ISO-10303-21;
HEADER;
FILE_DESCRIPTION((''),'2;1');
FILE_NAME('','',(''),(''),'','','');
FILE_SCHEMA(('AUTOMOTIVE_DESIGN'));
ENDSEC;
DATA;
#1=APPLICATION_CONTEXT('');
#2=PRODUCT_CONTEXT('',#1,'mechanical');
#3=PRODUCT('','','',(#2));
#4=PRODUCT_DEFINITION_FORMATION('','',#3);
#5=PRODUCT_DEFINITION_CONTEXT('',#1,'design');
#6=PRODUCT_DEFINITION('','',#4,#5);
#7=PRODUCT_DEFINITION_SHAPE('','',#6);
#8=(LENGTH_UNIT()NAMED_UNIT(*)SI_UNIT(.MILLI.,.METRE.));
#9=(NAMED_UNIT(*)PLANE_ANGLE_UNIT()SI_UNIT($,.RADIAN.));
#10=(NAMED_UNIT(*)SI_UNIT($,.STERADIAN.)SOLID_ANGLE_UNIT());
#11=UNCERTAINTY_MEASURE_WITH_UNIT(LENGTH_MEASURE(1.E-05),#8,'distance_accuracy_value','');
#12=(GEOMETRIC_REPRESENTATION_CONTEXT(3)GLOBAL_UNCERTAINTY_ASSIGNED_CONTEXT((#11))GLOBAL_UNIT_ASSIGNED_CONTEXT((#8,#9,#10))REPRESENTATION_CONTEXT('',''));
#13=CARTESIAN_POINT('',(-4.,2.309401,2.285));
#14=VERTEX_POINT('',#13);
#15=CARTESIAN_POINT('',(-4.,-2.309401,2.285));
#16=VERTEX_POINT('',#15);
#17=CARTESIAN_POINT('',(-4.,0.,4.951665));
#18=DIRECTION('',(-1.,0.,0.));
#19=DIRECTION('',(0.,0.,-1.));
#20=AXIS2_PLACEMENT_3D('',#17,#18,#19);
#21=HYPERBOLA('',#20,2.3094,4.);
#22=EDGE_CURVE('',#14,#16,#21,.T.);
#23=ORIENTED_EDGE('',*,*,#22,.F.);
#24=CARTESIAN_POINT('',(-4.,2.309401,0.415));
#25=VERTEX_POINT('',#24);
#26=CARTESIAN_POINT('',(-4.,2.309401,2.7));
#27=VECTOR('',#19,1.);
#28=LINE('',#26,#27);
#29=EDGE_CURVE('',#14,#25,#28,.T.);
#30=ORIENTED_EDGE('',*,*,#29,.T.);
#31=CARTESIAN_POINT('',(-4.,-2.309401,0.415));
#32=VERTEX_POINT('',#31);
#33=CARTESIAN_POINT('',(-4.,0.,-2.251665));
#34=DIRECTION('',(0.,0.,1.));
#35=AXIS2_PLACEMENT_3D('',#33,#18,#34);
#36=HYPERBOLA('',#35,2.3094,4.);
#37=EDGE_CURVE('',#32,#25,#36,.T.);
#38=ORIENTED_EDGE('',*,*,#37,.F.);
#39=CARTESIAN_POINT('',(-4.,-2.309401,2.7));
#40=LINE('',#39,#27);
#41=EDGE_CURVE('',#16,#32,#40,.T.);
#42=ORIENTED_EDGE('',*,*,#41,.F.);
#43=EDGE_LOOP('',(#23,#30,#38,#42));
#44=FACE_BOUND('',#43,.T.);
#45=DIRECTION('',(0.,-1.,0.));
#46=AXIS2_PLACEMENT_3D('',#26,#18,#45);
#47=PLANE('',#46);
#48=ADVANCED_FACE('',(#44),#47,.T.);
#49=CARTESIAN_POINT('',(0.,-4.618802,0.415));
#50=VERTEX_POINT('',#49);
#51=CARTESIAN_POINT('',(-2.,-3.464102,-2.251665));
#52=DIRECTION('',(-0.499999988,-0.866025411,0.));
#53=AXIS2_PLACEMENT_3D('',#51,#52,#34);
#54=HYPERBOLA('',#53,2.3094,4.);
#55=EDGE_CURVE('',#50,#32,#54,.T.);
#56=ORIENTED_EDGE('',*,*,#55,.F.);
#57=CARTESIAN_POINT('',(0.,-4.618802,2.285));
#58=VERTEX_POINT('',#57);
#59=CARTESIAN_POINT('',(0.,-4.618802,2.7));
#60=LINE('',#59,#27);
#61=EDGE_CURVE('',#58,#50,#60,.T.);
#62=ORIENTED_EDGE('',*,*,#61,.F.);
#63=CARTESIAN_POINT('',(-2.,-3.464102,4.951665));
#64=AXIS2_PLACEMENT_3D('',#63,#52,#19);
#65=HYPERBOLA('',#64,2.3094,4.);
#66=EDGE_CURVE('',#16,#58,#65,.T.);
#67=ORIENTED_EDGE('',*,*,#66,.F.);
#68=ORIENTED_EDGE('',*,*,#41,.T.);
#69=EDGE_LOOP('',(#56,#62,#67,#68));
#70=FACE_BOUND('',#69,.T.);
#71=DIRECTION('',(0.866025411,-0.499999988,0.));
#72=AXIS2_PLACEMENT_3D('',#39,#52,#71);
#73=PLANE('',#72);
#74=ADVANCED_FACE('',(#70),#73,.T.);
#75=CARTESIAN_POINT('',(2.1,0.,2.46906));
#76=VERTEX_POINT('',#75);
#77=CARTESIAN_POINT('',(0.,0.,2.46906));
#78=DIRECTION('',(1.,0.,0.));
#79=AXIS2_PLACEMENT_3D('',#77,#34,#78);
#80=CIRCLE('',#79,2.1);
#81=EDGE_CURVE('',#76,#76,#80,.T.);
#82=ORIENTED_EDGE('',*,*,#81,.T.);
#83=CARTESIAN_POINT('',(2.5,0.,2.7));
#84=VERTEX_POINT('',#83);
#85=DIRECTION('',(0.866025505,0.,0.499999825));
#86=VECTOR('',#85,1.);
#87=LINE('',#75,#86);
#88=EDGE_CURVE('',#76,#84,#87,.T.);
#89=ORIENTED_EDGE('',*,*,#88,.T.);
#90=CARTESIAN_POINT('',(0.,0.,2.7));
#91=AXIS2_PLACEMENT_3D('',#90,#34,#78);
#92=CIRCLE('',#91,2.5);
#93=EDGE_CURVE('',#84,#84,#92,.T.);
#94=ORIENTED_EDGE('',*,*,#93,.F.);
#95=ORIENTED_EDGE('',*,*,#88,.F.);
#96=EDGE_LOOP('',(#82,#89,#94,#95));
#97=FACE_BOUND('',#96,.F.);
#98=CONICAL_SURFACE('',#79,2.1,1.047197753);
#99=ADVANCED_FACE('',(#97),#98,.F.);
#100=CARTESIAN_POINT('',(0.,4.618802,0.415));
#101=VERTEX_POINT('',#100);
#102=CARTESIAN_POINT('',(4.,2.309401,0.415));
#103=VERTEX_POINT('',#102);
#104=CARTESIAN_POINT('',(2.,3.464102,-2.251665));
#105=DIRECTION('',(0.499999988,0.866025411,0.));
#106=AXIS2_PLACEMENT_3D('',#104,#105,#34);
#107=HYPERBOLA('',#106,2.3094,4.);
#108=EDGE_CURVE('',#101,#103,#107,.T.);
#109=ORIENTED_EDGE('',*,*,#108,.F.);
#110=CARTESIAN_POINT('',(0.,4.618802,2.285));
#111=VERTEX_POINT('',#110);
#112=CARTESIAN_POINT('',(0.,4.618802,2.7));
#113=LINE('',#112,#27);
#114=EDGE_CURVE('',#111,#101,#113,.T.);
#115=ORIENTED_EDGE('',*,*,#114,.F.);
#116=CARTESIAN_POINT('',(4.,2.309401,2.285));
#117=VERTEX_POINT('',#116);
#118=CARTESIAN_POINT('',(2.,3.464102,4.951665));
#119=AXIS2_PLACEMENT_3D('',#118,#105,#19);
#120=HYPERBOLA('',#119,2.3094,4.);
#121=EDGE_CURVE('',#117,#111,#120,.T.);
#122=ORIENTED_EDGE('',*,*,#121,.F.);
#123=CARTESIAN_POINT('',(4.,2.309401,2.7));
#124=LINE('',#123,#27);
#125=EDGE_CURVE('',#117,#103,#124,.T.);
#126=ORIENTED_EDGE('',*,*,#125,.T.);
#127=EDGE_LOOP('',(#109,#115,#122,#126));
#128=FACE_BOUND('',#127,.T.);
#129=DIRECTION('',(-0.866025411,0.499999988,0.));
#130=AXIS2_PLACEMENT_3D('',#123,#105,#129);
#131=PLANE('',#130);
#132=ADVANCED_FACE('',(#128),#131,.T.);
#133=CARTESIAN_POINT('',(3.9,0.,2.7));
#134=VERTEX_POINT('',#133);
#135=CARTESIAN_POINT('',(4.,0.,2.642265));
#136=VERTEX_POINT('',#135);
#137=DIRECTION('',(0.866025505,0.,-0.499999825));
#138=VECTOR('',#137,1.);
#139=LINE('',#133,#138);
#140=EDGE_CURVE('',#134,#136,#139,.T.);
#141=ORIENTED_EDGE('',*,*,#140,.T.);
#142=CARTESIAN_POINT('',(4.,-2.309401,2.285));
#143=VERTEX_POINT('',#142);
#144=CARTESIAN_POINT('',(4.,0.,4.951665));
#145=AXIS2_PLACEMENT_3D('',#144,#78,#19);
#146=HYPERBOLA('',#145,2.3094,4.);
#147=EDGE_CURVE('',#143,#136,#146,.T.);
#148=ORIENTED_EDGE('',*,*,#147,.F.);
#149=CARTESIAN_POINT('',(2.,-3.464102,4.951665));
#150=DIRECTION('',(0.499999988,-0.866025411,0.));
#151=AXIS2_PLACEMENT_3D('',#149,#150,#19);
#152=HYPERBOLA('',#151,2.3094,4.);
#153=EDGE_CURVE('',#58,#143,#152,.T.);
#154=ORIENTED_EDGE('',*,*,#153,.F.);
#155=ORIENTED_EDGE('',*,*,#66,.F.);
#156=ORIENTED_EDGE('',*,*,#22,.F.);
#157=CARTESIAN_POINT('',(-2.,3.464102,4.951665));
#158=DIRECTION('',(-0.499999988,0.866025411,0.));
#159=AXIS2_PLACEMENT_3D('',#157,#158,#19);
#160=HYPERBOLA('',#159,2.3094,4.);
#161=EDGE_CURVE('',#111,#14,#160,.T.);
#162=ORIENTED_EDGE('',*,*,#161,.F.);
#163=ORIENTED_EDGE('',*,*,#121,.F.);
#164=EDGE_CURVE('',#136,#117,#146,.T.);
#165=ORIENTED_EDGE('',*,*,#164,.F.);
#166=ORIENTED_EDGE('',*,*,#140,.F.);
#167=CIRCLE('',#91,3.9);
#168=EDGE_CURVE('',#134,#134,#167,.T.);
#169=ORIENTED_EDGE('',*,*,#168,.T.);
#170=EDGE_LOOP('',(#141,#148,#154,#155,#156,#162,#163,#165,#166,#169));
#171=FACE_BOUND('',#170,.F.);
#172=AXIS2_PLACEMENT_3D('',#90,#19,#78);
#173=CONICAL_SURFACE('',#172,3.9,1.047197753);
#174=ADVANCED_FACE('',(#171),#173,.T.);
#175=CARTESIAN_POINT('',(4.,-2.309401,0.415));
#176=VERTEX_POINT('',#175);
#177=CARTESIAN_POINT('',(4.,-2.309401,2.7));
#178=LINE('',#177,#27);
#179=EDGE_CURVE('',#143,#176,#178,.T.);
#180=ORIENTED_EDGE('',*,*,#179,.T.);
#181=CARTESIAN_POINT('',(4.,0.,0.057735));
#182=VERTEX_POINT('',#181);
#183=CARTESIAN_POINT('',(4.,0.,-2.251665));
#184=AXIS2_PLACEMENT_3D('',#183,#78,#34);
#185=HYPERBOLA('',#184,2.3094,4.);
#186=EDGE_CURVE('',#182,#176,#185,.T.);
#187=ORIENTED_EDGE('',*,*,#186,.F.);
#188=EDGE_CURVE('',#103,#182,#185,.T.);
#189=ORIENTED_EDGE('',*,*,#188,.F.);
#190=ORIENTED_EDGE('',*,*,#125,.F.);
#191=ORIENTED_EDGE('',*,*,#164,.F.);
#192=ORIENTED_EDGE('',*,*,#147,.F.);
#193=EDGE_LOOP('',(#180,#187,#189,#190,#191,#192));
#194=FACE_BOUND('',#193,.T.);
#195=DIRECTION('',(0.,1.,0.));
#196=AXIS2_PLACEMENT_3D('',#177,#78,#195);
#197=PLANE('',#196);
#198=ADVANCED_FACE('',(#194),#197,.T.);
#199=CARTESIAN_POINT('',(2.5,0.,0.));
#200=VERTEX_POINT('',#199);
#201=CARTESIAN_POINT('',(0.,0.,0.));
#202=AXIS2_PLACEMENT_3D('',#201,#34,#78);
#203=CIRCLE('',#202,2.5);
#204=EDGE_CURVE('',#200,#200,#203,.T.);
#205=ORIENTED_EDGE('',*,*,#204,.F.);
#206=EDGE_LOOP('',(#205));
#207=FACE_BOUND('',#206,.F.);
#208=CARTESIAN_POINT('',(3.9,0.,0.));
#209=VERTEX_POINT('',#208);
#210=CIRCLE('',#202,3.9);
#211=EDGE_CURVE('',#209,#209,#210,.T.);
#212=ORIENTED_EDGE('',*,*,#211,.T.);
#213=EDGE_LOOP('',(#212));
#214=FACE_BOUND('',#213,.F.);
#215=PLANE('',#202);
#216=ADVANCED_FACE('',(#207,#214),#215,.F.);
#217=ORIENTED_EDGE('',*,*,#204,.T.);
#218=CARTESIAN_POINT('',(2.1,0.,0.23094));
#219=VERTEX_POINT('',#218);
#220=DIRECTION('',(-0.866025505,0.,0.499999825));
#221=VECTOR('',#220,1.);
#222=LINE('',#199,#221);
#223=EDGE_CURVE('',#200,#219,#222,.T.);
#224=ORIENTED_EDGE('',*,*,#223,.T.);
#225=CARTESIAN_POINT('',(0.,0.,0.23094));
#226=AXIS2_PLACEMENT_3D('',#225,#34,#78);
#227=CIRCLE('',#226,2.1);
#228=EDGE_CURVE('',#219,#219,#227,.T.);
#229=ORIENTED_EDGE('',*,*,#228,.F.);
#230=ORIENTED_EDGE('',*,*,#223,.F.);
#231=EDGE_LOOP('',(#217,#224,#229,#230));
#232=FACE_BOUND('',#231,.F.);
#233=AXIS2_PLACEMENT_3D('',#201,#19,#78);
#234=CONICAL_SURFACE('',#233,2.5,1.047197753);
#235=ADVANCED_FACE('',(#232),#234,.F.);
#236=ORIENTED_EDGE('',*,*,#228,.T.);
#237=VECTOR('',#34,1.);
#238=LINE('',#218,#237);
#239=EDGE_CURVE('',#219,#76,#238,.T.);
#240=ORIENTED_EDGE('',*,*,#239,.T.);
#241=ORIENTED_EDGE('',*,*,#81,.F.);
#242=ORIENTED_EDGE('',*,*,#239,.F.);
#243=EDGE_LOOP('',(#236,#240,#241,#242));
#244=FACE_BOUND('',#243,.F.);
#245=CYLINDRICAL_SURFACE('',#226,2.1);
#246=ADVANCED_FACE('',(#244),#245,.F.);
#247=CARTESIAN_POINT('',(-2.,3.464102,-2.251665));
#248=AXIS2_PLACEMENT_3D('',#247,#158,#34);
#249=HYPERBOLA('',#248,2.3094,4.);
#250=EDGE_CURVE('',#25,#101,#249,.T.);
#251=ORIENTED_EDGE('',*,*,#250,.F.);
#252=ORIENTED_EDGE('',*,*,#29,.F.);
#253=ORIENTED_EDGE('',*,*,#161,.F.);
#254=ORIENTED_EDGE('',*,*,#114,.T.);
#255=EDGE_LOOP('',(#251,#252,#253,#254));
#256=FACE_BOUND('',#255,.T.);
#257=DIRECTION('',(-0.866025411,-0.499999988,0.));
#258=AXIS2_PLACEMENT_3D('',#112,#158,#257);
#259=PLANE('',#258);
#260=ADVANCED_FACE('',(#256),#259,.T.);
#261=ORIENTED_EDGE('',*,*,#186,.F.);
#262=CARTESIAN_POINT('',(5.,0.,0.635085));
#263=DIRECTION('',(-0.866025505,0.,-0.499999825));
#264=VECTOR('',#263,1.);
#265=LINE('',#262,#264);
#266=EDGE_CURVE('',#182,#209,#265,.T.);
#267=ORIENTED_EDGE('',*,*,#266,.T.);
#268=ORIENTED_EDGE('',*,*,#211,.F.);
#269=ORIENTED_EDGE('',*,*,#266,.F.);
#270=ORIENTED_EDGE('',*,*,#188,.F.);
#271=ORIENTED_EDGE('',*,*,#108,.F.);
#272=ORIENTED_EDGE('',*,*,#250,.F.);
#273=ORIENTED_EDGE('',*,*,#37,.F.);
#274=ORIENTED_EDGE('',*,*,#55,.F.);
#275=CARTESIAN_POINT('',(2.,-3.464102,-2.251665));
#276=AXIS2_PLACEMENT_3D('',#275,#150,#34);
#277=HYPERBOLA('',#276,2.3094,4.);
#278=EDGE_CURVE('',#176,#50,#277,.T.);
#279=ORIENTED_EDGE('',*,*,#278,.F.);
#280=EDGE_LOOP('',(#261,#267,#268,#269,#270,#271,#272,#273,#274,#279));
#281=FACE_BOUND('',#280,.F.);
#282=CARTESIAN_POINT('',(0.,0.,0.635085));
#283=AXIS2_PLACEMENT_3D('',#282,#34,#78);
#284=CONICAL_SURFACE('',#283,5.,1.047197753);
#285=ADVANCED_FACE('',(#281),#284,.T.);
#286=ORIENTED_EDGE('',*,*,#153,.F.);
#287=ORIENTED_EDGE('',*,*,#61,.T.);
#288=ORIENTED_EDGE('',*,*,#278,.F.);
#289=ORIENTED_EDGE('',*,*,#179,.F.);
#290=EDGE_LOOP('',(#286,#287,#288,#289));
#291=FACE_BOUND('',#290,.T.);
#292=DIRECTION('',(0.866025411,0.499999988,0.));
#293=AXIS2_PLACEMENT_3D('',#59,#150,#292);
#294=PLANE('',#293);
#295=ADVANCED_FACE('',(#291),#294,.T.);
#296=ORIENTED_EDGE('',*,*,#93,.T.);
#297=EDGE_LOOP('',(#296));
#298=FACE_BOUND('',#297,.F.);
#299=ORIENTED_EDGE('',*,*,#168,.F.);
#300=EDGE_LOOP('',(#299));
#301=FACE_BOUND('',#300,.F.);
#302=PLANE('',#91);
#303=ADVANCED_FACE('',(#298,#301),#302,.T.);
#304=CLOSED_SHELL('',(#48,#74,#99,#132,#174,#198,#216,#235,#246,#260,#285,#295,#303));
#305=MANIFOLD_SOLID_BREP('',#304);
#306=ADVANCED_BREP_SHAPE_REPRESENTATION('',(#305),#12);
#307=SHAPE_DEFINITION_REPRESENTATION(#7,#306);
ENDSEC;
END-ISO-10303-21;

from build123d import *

# Parameters (mm, degrees)
SKETCH001_R  = 5
POCKET_DEPTH = 2.7


with BuildPart() as part:
    # Sketch → Revolution (revolve)
    with BuildSketch(Plane.XZ):
        Polygon((2.5, 0), (2.1, 0.23094), (2.1, 2.46906), (2.5, 2.7), (3.9, 2.7), (5, 2.064915), (5, 0.635085), (3.9, 0), align=None)
    revolve(axis=Axis((0, 0, 0), (0, 0, 1)))

    # Sketch001 → Pocket (cut)
    with BuildSketch(Plane(origin=(0, 0, 2.7), x_dir=(-1, 0, 0), z_dir=(0, 0, 1))):
        Circle(SKETCH001_R)
        Polygon((-4, 2.309401), (-4, -2.309401), (0, -4.618802), (4, -2.309401), (4, 2.309401), (0, 4.618802), align=None, mode=Mode.SUBTRACT)
    extrude(amount=-POCKET_DEPTH, mode=Mode.SUBTRACT)


solid = part.part
